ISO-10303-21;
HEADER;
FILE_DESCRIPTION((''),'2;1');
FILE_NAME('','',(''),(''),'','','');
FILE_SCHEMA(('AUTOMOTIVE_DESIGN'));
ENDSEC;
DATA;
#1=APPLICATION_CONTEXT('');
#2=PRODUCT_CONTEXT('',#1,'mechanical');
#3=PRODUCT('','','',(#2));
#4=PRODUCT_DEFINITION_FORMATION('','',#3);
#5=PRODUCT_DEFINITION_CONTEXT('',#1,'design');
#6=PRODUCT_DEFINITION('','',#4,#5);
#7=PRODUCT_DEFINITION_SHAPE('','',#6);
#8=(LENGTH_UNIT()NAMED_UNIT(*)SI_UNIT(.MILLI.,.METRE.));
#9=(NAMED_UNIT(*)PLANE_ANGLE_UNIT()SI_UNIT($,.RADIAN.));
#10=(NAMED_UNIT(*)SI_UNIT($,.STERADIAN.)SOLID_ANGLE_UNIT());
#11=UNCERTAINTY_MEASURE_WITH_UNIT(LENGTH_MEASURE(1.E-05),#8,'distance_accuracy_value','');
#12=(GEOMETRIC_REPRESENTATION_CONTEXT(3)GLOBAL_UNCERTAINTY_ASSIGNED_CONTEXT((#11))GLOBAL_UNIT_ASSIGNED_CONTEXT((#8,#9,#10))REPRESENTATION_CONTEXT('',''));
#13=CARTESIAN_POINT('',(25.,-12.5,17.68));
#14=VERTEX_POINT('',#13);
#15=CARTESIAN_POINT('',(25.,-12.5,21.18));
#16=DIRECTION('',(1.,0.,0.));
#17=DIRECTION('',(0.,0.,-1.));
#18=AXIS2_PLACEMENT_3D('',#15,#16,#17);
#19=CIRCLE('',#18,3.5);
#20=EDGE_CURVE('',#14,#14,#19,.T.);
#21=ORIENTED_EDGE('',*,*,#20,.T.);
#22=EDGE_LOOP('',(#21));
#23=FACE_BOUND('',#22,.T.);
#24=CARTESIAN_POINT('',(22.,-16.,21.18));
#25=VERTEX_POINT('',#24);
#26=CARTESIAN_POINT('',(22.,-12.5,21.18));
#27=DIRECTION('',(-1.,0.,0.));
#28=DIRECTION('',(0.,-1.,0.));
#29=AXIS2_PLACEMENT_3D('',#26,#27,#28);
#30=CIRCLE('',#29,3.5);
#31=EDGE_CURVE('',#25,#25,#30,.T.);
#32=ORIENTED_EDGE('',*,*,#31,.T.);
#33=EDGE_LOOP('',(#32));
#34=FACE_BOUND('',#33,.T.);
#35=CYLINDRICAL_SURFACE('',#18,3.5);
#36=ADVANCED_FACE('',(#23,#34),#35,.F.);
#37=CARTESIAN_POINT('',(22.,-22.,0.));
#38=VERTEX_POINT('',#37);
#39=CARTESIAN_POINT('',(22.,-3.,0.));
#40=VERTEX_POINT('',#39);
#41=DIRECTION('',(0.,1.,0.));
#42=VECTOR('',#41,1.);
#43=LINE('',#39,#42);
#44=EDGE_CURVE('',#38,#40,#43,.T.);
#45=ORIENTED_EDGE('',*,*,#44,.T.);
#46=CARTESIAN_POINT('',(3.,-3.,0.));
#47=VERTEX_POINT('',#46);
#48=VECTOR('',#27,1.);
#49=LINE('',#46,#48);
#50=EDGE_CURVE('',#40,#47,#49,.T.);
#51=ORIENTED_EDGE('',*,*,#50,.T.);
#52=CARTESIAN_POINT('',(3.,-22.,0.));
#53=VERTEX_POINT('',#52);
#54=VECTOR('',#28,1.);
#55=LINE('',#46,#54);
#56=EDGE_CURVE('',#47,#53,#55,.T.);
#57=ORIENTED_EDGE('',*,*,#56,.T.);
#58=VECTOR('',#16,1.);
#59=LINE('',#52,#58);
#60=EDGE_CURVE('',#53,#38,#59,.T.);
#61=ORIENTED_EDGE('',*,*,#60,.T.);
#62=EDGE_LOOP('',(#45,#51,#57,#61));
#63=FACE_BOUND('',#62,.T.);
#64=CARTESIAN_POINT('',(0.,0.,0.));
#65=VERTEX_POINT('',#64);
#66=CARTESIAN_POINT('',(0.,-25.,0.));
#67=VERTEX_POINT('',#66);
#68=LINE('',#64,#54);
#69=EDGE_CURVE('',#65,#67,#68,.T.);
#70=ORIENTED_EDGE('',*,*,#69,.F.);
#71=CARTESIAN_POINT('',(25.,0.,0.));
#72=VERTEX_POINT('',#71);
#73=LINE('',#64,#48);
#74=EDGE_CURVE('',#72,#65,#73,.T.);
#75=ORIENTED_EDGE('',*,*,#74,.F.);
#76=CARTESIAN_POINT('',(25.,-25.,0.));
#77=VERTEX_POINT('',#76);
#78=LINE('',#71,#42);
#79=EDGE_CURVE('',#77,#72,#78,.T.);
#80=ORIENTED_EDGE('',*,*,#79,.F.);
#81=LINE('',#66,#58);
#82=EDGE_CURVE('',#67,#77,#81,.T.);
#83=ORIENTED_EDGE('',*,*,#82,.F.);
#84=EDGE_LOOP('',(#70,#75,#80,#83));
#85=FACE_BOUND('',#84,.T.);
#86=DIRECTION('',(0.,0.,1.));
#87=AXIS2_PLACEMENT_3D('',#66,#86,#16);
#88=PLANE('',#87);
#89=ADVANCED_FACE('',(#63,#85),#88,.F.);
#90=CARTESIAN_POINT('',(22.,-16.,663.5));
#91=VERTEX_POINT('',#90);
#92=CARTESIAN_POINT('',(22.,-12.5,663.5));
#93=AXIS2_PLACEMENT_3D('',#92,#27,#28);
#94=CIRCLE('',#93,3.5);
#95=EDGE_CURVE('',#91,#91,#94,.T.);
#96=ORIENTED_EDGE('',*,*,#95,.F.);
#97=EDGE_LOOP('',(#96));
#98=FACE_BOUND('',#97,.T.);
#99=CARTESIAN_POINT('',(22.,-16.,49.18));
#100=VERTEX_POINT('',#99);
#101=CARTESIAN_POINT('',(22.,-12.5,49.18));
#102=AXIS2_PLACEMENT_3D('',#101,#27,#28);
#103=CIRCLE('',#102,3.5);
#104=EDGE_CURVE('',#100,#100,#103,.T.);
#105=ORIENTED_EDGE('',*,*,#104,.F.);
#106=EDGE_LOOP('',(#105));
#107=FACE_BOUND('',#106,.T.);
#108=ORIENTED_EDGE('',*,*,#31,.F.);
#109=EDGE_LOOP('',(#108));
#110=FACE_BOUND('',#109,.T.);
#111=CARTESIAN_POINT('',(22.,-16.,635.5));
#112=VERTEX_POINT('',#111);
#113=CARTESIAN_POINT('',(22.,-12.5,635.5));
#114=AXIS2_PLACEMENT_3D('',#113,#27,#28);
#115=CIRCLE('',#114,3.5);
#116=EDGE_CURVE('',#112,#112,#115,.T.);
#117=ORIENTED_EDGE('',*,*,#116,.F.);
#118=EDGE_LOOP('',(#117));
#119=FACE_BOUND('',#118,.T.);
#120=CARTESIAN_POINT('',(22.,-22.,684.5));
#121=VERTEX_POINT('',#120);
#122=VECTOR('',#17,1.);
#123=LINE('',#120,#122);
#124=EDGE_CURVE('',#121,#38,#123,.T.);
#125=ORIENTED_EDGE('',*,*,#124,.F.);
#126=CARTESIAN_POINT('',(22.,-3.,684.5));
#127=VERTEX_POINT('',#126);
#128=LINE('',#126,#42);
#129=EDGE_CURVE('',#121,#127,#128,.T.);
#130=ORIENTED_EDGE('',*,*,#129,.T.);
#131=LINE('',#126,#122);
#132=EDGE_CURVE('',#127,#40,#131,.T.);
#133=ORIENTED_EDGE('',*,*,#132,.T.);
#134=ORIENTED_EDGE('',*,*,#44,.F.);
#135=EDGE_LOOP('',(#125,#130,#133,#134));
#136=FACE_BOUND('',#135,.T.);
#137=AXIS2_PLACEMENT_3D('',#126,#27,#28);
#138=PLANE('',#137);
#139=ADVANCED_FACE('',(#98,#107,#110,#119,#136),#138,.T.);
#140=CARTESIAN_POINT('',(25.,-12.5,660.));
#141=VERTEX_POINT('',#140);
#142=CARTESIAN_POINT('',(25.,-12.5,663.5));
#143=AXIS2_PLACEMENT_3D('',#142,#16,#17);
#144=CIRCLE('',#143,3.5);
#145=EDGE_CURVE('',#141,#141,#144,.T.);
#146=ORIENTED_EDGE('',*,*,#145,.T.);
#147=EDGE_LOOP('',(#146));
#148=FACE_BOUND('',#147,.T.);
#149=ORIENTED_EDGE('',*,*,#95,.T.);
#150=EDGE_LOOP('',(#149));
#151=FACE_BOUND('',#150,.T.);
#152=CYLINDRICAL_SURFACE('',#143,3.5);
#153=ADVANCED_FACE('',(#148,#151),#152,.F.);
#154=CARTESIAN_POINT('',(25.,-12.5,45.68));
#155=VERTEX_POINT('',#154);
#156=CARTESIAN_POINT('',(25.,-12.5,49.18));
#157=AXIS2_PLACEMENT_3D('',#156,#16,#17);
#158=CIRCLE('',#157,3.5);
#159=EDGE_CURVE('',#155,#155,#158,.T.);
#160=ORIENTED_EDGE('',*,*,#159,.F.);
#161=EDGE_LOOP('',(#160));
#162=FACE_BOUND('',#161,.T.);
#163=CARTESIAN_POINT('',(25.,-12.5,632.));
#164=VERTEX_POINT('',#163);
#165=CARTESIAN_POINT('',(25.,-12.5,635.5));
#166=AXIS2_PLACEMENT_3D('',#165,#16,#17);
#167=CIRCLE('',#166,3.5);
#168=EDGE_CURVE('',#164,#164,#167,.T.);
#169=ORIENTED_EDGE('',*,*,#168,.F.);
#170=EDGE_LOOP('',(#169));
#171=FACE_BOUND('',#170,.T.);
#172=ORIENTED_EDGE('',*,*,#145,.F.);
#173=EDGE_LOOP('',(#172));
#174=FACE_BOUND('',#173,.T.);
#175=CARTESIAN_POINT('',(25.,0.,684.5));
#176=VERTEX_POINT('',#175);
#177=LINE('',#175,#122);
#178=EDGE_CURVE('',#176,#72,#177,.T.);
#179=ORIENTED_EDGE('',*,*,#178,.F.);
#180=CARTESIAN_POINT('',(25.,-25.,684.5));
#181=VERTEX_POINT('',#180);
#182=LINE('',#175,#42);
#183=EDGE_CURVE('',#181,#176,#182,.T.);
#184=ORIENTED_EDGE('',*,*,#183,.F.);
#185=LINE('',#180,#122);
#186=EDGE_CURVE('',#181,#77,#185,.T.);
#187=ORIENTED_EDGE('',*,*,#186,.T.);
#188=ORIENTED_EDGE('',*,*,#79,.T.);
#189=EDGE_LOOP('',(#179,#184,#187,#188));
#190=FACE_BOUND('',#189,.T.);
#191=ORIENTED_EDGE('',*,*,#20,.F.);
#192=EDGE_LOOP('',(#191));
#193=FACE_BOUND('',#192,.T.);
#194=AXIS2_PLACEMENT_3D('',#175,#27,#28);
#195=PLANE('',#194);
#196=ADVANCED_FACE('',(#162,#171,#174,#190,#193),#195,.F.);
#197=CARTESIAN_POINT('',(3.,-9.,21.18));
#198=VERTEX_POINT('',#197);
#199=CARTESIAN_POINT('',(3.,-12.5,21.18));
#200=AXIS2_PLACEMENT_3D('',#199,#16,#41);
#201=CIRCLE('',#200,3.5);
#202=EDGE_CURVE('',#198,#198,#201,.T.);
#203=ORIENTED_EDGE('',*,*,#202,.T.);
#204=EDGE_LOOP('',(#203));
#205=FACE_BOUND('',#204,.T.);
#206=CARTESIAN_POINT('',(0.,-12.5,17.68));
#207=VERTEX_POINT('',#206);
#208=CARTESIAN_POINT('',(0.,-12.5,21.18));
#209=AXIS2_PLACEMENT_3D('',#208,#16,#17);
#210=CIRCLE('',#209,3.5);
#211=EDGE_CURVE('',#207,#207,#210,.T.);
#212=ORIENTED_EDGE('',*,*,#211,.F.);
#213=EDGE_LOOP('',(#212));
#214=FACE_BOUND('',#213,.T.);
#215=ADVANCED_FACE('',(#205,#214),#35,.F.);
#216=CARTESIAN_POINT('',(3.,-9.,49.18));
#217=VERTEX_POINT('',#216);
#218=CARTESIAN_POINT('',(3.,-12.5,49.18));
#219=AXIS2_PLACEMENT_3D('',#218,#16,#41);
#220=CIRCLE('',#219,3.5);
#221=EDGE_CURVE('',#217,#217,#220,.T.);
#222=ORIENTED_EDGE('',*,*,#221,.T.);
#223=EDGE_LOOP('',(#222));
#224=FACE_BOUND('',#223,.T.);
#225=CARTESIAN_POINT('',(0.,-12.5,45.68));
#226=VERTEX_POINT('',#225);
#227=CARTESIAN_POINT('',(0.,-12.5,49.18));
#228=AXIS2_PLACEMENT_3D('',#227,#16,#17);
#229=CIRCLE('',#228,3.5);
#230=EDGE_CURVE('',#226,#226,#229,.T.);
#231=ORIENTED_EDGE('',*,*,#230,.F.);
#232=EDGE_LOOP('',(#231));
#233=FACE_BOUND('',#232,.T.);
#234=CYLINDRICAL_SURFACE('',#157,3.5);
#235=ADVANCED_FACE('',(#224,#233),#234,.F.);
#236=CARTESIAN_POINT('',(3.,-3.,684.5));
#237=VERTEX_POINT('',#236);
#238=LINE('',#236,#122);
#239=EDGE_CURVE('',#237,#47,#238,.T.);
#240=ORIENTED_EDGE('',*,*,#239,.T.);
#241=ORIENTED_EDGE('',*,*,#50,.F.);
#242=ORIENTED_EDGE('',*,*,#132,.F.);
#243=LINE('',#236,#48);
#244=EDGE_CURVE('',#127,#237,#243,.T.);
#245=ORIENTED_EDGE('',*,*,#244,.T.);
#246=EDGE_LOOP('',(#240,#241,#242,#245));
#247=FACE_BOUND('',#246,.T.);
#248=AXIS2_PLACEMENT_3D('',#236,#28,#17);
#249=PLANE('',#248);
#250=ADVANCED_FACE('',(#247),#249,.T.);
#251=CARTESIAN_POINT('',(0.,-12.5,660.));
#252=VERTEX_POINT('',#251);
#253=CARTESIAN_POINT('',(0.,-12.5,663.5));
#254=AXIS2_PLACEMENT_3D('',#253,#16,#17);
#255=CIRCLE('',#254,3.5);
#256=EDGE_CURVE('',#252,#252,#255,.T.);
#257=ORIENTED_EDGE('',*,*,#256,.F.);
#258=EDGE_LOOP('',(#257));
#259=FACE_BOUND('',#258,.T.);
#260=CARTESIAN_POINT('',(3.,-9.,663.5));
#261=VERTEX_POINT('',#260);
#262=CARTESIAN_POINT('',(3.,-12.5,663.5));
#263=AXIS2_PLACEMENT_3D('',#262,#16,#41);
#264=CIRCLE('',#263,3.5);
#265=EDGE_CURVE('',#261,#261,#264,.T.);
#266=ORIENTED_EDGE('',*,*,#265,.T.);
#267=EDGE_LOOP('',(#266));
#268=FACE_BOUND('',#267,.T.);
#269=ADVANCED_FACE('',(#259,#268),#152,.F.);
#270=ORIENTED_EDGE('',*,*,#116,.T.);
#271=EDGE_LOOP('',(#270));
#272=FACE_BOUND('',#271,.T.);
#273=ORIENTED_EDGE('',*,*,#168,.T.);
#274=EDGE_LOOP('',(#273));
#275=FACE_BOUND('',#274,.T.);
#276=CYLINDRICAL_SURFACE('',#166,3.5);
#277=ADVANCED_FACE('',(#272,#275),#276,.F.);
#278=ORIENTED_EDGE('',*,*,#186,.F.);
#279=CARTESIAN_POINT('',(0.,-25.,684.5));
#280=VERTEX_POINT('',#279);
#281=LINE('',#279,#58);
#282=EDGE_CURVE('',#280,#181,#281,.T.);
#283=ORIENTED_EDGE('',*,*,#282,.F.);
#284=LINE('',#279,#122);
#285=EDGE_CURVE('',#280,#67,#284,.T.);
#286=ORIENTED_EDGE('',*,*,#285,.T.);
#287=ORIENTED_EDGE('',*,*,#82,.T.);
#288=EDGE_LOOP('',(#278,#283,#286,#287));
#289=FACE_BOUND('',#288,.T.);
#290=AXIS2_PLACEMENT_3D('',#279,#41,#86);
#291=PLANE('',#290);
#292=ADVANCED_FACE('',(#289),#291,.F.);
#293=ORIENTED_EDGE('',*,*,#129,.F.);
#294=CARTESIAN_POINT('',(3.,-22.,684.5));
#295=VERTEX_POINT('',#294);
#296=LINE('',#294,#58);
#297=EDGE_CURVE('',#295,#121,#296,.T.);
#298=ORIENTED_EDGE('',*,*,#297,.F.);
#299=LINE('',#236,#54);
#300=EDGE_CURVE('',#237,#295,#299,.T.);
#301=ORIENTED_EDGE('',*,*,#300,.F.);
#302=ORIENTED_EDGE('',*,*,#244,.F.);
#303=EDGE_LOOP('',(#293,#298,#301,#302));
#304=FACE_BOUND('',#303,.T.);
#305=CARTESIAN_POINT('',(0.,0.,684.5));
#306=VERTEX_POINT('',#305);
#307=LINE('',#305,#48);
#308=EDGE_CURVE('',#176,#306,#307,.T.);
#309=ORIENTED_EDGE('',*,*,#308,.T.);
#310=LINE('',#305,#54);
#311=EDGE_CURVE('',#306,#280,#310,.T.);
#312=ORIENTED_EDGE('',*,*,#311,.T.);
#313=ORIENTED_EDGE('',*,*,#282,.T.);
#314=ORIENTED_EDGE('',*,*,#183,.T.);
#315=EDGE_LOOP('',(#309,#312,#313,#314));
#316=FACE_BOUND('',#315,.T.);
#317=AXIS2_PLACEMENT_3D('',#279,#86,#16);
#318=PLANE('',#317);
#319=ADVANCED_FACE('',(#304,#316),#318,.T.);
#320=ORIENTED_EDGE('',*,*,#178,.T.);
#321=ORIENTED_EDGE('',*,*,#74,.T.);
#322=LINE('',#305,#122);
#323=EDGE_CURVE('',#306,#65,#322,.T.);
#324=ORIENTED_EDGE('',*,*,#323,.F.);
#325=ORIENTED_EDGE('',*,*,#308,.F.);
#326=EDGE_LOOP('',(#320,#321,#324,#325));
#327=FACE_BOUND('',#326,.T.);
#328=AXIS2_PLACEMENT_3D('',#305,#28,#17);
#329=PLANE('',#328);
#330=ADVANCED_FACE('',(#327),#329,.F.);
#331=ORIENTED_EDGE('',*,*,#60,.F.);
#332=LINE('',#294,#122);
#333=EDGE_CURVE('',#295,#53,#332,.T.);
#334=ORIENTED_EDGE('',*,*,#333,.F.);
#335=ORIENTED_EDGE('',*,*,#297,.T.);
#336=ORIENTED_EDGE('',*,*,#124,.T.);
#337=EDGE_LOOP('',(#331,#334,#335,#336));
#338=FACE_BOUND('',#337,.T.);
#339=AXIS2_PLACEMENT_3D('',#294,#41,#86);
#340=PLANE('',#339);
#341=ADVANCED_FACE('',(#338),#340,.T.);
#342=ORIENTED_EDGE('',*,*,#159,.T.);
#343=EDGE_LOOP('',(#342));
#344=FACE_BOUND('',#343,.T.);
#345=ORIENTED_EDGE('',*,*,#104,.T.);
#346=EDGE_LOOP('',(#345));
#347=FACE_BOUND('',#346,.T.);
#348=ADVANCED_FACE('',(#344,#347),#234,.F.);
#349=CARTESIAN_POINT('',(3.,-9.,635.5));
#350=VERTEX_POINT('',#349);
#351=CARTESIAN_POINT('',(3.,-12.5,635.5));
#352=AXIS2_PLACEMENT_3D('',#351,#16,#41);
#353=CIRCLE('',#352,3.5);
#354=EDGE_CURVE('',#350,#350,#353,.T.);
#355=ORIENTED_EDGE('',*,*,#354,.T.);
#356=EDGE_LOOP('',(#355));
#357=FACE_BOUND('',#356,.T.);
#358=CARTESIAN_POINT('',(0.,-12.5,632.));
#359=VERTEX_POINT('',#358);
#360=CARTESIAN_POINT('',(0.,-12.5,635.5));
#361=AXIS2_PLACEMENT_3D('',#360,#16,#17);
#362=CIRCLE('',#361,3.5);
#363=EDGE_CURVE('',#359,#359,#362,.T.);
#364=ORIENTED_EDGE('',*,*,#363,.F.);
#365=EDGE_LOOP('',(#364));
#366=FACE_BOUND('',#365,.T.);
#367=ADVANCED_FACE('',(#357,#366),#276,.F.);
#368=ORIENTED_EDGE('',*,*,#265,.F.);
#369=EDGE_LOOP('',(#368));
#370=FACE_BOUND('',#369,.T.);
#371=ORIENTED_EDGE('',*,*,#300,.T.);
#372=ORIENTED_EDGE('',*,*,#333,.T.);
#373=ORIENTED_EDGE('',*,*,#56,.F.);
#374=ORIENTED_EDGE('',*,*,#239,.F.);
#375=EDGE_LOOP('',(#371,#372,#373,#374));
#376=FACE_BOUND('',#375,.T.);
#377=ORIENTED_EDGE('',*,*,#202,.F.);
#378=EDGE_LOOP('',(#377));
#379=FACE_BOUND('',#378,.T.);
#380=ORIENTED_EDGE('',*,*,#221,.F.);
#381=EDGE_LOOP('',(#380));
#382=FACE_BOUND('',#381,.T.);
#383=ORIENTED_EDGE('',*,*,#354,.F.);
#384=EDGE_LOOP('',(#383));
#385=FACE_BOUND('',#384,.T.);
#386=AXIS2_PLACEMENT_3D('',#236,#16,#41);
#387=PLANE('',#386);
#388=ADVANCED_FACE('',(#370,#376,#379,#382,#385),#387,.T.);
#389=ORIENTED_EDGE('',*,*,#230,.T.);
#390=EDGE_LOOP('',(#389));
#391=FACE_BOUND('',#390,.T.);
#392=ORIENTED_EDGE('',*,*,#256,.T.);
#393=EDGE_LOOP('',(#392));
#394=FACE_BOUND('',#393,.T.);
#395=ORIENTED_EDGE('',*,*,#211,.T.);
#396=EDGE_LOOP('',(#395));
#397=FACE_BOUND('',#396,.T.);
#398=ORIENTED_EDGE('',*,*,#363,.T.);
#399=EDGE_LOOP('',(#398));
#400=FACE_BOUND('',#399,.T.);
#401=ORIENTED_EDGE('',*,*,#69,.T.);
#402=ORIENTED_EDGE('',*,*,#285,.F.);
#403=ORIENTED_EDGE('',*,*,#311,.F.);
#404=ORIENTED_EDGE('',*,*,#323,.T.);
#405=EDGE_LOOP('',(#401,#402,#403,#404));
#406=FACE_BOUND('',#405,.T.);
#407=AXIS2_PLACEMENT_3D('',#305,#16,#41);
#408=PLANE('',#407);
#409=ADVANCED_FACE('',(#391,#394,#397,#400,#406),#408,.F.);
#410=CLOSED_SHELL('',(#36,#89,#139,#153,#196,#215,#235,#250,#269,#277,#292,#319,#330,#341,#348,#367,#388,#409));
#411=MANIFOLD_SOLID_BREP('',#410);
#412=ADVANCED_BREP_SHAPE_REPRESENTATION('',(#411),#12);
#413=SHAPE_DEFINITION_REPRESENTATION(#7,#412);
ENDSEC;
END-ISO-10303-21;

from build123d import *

# Parameters (mm, degrees)
SKETCH_1_W             = 25
SKETCH_1_H             = 25
SKETCH_1_W_2           = 19
SKETCH_1_H_2           = 19
EXTRUDE_1_DEPTH        = 684.5
HOLE_WIZARD_7_0_7_1_D  = 7
PATTERN_LINEAR_1_COUNT = 2
PATTERN_LINEAR_1_PITCH = 614.32


with BuildPart() as part:
    # 草图1 → 拉伸1 (new body)
    with BuildSketch(Plane.XY):
        with Locations((12.5, -12.5)):
            Rectangle(SKETCH_1_W, SKETCH_1_H)
        with Locations((12.5, -12.5)):
            Rectangle(SKETCH_1_W_2, SKETCH_1_H_2, mode=Mode.SUBTRACT)
    extrude(amount=EXTRUDE_1_DEPTH)

    # Ø7.0 (7) 直径孔1 (through all)
    with Locations(Plane(origin=(25, 0, 0), x_dir=(0, 0, -1), z_dir=(1, 0, 0))):
        with Locations((-635.5, -12.5), (-663.5, -12.5)):
            hole_wizard_7_0_7_1 = Hole(HOLE_WIZARD_7_0_7_1_D / 2)

    # 阵列(线性)1: Ø7.0 (7) 直径孔1 ×2
    with Locations(*[(0, 0, -i * PATTERN_LINEAR_1_PITCH) for i in range(1, PATTERN_LINEAR_1_COUNT)]):
        add(hole_wizard_7_0_7_1, mode=Mode.SUBTRACT)


solid = part.part
